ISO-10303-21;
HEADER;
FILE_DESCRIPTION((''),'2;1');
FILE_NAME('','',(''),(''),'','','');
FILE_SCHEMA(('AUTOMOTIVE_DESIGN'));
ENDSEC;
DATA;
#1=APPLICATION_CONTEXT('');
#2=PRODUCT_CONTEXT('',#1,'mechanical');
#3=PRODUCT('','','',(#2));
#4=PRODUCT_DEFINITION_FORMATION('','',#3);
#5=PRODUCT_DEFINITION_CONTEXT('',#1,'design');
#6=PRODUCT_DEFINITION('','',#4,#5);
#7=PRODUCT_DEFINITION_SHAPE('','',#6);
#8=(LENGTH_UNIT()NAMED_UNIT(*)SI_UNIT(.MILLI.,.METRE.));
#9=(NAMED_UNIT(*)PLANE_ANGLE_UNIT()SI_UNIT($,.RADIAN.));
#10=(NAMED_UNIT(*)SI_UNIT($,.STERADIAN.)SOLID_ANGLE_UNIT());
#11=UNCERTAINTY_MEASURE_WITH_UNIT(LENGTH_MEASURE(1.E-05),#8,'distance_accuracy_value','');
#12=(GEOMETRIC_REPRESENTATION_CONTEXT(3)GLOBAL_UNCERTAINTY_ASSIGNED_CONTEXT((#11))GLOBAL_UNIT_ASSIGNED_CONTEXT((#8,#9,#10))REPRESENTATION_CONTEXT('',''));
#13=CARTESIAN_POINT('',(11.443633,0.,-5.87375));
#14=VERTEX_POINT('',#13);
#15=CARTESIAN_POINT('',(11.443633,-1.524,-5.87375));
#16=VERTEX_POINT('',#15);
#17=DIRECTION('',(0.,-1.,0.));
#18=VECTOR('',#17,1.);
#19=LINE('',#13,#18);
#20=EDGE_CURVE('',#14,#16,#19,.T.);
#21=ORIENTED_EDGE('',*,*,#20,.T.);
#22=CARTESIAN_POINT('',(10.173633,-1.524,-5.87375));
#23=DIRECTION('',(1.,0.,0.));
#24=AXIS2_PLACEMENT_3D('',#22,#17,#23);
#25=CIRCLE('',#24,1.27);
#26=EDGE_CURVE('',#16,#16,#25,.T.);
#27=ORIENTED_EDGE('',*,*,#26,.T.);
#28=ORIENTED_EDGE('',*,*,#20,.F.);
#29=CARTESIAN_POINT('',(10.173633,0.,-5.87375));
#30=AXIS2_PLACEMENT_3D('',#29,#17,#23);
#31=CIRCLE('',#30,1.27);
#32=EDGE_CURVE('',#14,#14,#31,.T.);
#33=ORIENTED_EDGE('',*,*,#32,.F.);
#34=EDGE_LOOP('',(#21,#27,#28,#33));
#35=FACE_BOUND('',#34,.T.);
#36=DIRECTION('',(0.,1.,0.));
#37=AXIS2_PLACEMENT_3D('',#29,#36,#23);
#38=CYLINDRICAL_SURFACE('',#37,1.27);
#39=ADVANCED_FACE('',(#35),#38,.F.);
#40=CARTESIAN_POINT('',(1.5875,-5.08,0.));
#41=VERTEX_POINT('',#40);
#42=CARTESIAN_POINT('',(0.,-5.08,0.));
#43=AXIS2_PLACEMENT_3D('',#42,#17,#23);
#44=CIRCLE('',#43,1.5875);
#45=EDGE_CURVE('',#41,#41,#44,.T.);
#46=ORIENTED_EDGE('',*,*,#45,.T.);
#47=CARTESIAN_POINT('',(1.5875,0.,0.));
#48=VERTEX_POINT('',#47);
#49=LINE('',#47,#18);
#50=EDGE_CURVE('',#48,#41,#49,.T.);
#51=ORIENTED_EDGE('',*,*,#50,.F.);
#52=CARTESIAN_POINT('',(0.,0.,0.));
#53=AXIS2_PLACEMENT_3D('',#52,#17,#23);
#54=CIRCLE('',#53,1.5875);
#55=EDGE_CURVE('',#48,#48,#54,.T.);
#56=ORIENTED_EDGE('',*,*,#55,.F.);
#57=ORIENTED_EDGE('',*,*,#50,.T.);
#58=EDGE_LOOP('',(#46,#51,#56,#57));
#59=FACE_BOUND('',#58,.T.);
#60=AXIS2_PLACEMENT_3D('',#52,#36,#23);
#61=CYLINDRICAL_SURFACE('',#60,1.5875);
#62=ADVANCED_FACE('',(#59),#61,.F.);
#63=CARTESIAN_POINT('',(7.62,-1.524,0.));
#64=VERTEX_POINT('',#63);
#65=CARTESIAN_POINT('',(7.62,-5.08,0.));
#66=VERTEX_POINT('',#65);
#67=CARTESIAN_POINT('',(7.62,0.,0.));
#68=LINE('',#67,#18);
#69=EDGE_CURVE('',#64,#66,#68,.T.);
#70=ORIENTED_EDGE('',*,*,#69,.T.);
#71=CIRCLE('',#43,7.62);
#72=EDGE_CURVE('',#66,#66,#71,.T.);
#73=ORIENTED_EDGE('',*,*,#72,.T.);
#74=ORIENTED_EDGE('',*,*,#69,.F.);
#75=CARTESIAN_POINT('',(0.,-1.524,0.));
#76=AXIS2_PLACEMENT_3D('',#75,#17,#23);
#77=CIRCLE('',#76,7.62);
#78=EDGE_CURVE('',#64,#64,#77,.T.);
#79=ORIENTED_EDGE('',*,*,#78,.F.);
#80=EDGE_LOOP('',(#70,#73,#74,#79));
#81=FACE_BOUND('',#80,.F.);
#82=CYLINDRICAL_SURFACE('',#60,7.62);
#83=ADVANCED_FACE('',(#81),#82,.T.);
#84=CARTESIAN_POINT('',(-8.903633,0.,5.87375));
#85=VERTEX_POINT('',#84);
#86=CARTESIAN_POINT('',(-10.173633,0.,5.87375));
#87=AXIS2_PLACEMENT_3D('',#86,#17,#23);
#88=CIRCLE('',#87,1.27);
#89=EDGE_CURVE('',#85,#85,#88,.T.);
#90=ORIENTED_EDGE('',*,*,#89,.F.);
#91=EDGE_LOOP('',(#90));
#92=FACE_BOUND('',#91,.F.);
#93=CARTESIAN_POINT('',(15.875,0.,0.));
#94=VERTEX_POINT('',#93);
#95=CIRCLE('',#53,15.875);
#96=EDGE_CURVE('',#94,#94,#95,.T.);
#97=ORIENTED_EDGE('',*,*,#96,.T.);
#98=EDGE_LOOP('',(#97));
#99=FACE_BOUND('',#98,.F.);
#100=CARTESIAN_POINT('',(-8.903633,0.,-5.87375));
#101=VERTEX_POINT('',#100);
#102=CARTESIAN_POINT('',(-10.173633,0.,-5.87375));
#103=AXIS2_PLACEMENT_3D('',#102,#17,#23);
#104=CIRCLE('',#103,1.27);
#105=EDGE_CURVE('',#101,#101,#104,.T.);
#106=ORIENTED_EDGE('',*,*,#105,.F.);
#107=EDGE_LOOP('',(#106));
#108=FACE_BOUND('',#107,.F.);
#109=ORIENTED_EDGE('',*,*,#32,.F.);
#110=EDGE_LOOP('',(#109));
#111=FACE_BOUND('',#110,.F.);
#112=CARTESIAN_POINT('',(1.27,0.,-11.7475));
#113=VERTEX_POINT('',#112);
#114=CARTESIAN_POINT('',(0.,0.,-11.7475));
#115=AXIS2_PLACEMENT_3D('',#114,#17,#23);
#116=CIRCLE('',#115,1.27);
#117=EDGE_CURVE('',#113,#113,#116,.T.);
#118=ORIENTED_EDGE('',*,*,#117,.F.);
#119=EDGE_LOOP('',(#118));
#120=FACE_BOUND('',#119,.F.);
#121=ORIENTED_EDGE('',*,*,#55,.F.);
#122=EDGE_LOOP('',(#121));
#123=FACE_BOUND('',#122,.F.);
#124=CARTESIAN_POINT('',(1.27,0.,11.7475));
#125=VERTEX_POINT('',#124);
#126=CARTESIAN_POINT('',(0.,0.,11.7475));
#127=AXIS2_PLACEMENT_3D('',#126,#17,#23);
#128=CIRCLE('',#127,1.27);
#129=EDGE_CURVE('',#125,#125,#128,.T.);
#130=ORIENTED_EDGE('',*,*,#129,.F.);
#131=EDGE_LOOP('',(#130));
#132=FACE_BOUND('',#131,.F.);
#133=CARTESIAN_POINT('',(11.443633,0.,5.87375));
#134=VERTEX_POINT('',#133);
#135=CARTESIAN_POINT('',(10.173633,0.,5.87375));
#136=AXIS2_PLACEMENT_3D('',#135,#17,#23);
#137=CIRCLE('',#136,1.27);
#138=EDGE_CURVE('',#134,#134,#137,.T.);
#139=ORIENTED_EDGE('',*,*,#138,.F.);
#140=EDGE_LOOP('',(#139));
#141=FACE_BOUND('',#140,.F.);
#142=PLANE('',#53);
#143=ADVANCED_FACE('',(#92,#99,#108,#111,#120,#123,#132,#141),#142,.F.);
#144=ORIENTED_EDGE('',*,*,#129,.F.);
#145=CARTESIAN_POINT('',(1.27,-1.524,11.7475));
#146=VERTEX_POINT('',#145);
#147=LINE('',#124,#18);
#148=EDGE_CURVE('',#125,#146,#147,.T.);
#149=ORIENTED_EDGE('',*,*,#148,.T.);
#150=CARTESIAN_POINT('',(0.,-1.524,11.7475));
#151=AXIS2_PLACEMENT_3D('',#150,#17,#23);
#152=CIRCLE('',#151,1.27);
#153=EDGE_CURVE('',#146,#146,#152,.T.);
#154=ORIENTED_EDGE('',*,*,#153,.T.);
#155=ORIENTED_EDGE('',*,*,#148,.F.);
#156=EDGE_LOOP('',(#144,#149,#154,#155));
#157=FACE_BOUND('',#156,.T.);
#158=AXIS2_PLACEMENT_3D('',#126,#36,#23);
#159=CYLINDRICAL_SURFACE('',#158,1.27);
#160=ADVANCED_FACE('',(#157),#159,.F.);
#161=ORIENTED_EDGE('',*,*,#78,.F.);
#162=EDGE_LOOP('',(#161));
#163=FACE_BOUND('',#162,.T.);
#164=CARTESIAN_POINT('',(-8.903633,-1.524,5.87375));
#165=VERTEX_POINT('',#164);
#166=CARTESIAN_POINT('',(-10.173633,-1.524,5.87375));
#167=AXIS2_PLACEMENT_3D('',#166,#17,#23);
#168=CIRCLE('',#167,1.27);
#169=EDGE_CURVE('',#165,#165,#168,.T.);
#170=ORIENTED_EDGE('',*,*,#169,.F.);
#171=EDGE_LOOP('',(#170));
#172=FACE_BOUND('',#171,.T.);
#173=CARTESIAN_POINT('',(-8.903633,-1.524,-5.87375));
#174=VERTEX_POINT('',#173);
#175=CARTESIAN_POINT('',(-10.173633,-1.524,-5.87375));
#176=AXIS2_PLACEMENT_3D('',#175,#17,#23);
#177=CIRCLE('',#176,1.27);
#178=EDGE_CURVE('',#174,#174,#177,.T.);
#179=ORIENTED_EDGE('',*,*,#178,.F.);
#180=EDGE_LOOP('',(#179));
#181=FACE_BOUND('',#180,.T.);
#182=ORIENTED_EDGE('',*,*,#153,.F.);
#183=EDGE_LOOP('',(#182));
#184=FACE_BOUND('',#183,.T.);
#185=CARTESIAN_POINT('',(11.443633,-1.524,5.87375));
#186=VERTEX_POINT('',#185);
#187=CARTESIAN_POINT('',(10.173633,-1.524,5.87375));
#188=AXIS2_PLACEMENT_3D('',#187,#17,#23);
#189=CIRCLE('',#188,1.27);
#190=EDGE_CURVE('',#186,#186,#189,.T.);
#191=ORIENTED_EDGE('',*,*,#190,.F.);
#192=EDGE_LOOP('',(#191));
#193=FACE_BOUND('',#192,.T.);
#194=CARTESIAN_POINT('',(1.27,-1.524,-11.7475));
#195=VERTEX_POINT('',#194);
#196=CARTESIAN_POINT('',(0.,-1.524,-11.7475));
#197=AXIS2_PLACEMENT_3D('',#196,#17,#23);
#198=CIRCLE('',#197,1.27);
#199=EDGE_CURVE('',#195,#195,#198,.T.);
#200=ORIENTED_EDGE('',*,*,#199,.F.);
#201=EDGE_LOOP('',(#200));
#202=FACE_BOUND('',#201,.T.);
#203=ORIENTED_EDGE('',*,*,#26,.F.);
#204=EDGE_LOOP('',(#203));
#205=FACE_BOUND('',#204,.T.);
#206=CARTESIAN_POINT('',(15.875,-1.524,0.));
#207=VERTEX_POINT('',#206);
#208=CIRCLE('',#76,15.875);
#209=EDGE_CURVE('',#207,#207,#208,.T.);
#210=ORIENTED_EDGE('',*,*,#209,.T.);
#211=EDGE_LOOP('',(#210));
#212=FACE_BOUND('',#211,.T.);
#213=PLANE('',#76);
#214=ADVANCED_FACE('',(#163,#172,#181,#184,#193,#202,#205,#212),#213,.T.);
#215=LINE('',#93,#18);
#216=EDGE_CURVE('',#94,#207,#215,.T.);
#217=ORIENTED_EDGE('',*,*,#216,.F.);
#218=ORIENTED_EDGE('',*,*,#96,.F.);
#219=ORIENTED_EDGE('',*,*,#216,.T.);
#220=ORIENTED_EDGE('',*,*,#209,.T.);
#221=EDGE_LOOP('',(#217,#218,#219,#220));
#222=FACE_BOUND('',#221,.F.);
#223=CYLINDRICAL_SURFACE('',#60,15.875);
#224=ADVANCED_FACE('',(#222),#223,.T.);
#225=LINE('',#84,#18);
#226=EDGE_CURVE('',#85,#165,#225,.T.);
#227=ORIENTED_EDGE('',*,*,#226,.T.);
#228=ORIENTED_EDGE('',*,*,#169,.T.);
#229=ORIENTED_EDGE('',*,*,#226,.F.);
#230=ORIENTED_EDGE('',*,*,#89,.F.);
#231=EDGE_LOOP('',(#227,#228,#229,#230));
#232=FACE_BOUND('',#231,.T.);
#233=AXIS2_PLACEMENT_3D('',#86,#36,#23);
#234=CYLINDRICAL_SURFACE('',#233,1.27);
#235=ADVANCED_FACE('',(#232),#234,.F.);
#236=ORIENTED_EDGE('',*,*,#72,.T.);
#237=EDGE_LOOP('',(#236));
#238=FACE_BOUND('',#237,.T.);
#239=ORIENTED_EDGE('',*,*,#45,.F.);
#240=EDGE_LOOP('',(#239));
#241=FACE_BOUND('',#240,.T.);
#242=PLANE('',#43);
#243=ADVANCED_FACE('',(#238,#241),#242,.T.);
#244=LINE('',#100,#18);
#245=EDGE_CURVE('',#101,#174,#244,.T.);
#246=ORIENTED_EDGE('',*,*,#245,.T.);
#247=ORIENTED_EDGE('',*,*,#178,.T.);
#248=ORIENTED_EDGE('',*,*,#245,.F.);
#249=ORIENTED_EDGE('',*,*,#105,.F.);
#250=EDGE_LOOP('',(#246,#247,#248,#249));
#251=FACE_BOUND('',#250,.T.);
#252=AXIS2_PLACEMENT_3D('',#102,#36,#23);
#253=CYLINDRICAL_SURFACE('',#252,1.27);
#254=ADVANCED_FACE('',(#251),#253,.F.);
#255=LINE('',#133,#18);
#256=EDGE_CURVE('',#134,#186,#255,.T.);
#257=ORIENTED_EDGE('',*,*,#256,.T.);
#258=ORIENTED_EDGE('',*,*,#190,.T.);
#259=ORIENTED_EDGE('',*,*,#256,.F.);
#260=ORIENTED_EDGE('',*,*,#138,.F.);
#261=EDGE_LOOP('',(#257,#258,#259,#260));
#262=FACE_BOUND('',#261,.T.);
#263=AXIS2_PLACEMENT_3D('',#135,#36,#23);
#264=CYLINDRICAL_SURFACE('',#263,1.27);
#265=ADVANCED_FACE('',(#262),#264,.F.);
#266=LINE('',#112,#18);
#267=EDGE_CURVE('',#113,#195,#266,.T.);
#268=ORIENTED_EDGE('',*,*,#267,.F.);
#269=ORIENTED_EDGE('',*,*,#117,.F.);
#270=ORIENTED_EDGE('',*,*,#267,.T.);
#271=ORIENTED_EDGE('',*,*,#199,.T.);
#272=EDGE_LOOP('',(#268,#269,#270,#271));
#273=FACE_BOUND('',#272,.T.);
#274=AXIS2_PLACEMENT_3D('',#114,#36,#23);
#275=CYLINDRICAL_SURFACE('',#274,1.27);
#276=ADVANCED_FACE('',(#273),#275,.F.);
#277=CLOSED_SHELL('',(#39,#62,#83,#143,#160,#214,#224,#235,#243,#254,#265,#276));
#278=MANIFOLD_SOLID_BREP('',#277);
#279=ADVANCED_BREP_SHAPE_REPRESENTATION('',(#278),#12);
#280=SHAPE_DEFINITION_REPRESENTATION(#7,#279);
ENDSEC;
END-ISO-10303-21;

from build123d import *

# Parameters (mm, degrees)
F0_R     = 15.875
F0_R_2   = 1.27
F0_R_3   = 7.62
F1_DEPTH = 1.524
F0_R_4   = 1.5875
F2_DEPTH = 5.08


with BuildPart() as f1:
    # F0 (on Front) → F1 (new body)
    with BuildSketch(Plane.XZ):
        Circle(F0_R)
        with Locations((-10.173633, -5.87375)):
            Circle(F0_R_2, mode=Mode.SUBTRACT)
        with Locations((0, -11.7475)):
            Circle(F0_R_2, mode=Mode.SUBTRACT)
        with Locations((10.173633, -5.87375)):
            Circle(F0_R_2, mode=Mode.SUBTRACT)
        with Locations((-10.173633, 5.87375)):
            Circle(F0_R_2, mode=Mode.SUBTRACT)
        Circle(F0_R_3, mode=Mode.SUBTRACT)
        with Locations((10.173633, 5.87375)):
            Circle(F0_R_2, mode=Mode.SUBTRACT)
        with Locations((0, 11.7475)):
            Circle(F0_R_2, mode=Mode.SUBTRACT)
    extrude(amount=F1_DEPTH)

    # F0 (on Front) → F2 (join)
    with BuildSketch(Plane.XZ):
        Circle(F0_R_3)
        Circle(F0_R_4, mode=Mode.SUBTRACT)
    extrude(amount=F2_DEPTH)


solid = f1.part
